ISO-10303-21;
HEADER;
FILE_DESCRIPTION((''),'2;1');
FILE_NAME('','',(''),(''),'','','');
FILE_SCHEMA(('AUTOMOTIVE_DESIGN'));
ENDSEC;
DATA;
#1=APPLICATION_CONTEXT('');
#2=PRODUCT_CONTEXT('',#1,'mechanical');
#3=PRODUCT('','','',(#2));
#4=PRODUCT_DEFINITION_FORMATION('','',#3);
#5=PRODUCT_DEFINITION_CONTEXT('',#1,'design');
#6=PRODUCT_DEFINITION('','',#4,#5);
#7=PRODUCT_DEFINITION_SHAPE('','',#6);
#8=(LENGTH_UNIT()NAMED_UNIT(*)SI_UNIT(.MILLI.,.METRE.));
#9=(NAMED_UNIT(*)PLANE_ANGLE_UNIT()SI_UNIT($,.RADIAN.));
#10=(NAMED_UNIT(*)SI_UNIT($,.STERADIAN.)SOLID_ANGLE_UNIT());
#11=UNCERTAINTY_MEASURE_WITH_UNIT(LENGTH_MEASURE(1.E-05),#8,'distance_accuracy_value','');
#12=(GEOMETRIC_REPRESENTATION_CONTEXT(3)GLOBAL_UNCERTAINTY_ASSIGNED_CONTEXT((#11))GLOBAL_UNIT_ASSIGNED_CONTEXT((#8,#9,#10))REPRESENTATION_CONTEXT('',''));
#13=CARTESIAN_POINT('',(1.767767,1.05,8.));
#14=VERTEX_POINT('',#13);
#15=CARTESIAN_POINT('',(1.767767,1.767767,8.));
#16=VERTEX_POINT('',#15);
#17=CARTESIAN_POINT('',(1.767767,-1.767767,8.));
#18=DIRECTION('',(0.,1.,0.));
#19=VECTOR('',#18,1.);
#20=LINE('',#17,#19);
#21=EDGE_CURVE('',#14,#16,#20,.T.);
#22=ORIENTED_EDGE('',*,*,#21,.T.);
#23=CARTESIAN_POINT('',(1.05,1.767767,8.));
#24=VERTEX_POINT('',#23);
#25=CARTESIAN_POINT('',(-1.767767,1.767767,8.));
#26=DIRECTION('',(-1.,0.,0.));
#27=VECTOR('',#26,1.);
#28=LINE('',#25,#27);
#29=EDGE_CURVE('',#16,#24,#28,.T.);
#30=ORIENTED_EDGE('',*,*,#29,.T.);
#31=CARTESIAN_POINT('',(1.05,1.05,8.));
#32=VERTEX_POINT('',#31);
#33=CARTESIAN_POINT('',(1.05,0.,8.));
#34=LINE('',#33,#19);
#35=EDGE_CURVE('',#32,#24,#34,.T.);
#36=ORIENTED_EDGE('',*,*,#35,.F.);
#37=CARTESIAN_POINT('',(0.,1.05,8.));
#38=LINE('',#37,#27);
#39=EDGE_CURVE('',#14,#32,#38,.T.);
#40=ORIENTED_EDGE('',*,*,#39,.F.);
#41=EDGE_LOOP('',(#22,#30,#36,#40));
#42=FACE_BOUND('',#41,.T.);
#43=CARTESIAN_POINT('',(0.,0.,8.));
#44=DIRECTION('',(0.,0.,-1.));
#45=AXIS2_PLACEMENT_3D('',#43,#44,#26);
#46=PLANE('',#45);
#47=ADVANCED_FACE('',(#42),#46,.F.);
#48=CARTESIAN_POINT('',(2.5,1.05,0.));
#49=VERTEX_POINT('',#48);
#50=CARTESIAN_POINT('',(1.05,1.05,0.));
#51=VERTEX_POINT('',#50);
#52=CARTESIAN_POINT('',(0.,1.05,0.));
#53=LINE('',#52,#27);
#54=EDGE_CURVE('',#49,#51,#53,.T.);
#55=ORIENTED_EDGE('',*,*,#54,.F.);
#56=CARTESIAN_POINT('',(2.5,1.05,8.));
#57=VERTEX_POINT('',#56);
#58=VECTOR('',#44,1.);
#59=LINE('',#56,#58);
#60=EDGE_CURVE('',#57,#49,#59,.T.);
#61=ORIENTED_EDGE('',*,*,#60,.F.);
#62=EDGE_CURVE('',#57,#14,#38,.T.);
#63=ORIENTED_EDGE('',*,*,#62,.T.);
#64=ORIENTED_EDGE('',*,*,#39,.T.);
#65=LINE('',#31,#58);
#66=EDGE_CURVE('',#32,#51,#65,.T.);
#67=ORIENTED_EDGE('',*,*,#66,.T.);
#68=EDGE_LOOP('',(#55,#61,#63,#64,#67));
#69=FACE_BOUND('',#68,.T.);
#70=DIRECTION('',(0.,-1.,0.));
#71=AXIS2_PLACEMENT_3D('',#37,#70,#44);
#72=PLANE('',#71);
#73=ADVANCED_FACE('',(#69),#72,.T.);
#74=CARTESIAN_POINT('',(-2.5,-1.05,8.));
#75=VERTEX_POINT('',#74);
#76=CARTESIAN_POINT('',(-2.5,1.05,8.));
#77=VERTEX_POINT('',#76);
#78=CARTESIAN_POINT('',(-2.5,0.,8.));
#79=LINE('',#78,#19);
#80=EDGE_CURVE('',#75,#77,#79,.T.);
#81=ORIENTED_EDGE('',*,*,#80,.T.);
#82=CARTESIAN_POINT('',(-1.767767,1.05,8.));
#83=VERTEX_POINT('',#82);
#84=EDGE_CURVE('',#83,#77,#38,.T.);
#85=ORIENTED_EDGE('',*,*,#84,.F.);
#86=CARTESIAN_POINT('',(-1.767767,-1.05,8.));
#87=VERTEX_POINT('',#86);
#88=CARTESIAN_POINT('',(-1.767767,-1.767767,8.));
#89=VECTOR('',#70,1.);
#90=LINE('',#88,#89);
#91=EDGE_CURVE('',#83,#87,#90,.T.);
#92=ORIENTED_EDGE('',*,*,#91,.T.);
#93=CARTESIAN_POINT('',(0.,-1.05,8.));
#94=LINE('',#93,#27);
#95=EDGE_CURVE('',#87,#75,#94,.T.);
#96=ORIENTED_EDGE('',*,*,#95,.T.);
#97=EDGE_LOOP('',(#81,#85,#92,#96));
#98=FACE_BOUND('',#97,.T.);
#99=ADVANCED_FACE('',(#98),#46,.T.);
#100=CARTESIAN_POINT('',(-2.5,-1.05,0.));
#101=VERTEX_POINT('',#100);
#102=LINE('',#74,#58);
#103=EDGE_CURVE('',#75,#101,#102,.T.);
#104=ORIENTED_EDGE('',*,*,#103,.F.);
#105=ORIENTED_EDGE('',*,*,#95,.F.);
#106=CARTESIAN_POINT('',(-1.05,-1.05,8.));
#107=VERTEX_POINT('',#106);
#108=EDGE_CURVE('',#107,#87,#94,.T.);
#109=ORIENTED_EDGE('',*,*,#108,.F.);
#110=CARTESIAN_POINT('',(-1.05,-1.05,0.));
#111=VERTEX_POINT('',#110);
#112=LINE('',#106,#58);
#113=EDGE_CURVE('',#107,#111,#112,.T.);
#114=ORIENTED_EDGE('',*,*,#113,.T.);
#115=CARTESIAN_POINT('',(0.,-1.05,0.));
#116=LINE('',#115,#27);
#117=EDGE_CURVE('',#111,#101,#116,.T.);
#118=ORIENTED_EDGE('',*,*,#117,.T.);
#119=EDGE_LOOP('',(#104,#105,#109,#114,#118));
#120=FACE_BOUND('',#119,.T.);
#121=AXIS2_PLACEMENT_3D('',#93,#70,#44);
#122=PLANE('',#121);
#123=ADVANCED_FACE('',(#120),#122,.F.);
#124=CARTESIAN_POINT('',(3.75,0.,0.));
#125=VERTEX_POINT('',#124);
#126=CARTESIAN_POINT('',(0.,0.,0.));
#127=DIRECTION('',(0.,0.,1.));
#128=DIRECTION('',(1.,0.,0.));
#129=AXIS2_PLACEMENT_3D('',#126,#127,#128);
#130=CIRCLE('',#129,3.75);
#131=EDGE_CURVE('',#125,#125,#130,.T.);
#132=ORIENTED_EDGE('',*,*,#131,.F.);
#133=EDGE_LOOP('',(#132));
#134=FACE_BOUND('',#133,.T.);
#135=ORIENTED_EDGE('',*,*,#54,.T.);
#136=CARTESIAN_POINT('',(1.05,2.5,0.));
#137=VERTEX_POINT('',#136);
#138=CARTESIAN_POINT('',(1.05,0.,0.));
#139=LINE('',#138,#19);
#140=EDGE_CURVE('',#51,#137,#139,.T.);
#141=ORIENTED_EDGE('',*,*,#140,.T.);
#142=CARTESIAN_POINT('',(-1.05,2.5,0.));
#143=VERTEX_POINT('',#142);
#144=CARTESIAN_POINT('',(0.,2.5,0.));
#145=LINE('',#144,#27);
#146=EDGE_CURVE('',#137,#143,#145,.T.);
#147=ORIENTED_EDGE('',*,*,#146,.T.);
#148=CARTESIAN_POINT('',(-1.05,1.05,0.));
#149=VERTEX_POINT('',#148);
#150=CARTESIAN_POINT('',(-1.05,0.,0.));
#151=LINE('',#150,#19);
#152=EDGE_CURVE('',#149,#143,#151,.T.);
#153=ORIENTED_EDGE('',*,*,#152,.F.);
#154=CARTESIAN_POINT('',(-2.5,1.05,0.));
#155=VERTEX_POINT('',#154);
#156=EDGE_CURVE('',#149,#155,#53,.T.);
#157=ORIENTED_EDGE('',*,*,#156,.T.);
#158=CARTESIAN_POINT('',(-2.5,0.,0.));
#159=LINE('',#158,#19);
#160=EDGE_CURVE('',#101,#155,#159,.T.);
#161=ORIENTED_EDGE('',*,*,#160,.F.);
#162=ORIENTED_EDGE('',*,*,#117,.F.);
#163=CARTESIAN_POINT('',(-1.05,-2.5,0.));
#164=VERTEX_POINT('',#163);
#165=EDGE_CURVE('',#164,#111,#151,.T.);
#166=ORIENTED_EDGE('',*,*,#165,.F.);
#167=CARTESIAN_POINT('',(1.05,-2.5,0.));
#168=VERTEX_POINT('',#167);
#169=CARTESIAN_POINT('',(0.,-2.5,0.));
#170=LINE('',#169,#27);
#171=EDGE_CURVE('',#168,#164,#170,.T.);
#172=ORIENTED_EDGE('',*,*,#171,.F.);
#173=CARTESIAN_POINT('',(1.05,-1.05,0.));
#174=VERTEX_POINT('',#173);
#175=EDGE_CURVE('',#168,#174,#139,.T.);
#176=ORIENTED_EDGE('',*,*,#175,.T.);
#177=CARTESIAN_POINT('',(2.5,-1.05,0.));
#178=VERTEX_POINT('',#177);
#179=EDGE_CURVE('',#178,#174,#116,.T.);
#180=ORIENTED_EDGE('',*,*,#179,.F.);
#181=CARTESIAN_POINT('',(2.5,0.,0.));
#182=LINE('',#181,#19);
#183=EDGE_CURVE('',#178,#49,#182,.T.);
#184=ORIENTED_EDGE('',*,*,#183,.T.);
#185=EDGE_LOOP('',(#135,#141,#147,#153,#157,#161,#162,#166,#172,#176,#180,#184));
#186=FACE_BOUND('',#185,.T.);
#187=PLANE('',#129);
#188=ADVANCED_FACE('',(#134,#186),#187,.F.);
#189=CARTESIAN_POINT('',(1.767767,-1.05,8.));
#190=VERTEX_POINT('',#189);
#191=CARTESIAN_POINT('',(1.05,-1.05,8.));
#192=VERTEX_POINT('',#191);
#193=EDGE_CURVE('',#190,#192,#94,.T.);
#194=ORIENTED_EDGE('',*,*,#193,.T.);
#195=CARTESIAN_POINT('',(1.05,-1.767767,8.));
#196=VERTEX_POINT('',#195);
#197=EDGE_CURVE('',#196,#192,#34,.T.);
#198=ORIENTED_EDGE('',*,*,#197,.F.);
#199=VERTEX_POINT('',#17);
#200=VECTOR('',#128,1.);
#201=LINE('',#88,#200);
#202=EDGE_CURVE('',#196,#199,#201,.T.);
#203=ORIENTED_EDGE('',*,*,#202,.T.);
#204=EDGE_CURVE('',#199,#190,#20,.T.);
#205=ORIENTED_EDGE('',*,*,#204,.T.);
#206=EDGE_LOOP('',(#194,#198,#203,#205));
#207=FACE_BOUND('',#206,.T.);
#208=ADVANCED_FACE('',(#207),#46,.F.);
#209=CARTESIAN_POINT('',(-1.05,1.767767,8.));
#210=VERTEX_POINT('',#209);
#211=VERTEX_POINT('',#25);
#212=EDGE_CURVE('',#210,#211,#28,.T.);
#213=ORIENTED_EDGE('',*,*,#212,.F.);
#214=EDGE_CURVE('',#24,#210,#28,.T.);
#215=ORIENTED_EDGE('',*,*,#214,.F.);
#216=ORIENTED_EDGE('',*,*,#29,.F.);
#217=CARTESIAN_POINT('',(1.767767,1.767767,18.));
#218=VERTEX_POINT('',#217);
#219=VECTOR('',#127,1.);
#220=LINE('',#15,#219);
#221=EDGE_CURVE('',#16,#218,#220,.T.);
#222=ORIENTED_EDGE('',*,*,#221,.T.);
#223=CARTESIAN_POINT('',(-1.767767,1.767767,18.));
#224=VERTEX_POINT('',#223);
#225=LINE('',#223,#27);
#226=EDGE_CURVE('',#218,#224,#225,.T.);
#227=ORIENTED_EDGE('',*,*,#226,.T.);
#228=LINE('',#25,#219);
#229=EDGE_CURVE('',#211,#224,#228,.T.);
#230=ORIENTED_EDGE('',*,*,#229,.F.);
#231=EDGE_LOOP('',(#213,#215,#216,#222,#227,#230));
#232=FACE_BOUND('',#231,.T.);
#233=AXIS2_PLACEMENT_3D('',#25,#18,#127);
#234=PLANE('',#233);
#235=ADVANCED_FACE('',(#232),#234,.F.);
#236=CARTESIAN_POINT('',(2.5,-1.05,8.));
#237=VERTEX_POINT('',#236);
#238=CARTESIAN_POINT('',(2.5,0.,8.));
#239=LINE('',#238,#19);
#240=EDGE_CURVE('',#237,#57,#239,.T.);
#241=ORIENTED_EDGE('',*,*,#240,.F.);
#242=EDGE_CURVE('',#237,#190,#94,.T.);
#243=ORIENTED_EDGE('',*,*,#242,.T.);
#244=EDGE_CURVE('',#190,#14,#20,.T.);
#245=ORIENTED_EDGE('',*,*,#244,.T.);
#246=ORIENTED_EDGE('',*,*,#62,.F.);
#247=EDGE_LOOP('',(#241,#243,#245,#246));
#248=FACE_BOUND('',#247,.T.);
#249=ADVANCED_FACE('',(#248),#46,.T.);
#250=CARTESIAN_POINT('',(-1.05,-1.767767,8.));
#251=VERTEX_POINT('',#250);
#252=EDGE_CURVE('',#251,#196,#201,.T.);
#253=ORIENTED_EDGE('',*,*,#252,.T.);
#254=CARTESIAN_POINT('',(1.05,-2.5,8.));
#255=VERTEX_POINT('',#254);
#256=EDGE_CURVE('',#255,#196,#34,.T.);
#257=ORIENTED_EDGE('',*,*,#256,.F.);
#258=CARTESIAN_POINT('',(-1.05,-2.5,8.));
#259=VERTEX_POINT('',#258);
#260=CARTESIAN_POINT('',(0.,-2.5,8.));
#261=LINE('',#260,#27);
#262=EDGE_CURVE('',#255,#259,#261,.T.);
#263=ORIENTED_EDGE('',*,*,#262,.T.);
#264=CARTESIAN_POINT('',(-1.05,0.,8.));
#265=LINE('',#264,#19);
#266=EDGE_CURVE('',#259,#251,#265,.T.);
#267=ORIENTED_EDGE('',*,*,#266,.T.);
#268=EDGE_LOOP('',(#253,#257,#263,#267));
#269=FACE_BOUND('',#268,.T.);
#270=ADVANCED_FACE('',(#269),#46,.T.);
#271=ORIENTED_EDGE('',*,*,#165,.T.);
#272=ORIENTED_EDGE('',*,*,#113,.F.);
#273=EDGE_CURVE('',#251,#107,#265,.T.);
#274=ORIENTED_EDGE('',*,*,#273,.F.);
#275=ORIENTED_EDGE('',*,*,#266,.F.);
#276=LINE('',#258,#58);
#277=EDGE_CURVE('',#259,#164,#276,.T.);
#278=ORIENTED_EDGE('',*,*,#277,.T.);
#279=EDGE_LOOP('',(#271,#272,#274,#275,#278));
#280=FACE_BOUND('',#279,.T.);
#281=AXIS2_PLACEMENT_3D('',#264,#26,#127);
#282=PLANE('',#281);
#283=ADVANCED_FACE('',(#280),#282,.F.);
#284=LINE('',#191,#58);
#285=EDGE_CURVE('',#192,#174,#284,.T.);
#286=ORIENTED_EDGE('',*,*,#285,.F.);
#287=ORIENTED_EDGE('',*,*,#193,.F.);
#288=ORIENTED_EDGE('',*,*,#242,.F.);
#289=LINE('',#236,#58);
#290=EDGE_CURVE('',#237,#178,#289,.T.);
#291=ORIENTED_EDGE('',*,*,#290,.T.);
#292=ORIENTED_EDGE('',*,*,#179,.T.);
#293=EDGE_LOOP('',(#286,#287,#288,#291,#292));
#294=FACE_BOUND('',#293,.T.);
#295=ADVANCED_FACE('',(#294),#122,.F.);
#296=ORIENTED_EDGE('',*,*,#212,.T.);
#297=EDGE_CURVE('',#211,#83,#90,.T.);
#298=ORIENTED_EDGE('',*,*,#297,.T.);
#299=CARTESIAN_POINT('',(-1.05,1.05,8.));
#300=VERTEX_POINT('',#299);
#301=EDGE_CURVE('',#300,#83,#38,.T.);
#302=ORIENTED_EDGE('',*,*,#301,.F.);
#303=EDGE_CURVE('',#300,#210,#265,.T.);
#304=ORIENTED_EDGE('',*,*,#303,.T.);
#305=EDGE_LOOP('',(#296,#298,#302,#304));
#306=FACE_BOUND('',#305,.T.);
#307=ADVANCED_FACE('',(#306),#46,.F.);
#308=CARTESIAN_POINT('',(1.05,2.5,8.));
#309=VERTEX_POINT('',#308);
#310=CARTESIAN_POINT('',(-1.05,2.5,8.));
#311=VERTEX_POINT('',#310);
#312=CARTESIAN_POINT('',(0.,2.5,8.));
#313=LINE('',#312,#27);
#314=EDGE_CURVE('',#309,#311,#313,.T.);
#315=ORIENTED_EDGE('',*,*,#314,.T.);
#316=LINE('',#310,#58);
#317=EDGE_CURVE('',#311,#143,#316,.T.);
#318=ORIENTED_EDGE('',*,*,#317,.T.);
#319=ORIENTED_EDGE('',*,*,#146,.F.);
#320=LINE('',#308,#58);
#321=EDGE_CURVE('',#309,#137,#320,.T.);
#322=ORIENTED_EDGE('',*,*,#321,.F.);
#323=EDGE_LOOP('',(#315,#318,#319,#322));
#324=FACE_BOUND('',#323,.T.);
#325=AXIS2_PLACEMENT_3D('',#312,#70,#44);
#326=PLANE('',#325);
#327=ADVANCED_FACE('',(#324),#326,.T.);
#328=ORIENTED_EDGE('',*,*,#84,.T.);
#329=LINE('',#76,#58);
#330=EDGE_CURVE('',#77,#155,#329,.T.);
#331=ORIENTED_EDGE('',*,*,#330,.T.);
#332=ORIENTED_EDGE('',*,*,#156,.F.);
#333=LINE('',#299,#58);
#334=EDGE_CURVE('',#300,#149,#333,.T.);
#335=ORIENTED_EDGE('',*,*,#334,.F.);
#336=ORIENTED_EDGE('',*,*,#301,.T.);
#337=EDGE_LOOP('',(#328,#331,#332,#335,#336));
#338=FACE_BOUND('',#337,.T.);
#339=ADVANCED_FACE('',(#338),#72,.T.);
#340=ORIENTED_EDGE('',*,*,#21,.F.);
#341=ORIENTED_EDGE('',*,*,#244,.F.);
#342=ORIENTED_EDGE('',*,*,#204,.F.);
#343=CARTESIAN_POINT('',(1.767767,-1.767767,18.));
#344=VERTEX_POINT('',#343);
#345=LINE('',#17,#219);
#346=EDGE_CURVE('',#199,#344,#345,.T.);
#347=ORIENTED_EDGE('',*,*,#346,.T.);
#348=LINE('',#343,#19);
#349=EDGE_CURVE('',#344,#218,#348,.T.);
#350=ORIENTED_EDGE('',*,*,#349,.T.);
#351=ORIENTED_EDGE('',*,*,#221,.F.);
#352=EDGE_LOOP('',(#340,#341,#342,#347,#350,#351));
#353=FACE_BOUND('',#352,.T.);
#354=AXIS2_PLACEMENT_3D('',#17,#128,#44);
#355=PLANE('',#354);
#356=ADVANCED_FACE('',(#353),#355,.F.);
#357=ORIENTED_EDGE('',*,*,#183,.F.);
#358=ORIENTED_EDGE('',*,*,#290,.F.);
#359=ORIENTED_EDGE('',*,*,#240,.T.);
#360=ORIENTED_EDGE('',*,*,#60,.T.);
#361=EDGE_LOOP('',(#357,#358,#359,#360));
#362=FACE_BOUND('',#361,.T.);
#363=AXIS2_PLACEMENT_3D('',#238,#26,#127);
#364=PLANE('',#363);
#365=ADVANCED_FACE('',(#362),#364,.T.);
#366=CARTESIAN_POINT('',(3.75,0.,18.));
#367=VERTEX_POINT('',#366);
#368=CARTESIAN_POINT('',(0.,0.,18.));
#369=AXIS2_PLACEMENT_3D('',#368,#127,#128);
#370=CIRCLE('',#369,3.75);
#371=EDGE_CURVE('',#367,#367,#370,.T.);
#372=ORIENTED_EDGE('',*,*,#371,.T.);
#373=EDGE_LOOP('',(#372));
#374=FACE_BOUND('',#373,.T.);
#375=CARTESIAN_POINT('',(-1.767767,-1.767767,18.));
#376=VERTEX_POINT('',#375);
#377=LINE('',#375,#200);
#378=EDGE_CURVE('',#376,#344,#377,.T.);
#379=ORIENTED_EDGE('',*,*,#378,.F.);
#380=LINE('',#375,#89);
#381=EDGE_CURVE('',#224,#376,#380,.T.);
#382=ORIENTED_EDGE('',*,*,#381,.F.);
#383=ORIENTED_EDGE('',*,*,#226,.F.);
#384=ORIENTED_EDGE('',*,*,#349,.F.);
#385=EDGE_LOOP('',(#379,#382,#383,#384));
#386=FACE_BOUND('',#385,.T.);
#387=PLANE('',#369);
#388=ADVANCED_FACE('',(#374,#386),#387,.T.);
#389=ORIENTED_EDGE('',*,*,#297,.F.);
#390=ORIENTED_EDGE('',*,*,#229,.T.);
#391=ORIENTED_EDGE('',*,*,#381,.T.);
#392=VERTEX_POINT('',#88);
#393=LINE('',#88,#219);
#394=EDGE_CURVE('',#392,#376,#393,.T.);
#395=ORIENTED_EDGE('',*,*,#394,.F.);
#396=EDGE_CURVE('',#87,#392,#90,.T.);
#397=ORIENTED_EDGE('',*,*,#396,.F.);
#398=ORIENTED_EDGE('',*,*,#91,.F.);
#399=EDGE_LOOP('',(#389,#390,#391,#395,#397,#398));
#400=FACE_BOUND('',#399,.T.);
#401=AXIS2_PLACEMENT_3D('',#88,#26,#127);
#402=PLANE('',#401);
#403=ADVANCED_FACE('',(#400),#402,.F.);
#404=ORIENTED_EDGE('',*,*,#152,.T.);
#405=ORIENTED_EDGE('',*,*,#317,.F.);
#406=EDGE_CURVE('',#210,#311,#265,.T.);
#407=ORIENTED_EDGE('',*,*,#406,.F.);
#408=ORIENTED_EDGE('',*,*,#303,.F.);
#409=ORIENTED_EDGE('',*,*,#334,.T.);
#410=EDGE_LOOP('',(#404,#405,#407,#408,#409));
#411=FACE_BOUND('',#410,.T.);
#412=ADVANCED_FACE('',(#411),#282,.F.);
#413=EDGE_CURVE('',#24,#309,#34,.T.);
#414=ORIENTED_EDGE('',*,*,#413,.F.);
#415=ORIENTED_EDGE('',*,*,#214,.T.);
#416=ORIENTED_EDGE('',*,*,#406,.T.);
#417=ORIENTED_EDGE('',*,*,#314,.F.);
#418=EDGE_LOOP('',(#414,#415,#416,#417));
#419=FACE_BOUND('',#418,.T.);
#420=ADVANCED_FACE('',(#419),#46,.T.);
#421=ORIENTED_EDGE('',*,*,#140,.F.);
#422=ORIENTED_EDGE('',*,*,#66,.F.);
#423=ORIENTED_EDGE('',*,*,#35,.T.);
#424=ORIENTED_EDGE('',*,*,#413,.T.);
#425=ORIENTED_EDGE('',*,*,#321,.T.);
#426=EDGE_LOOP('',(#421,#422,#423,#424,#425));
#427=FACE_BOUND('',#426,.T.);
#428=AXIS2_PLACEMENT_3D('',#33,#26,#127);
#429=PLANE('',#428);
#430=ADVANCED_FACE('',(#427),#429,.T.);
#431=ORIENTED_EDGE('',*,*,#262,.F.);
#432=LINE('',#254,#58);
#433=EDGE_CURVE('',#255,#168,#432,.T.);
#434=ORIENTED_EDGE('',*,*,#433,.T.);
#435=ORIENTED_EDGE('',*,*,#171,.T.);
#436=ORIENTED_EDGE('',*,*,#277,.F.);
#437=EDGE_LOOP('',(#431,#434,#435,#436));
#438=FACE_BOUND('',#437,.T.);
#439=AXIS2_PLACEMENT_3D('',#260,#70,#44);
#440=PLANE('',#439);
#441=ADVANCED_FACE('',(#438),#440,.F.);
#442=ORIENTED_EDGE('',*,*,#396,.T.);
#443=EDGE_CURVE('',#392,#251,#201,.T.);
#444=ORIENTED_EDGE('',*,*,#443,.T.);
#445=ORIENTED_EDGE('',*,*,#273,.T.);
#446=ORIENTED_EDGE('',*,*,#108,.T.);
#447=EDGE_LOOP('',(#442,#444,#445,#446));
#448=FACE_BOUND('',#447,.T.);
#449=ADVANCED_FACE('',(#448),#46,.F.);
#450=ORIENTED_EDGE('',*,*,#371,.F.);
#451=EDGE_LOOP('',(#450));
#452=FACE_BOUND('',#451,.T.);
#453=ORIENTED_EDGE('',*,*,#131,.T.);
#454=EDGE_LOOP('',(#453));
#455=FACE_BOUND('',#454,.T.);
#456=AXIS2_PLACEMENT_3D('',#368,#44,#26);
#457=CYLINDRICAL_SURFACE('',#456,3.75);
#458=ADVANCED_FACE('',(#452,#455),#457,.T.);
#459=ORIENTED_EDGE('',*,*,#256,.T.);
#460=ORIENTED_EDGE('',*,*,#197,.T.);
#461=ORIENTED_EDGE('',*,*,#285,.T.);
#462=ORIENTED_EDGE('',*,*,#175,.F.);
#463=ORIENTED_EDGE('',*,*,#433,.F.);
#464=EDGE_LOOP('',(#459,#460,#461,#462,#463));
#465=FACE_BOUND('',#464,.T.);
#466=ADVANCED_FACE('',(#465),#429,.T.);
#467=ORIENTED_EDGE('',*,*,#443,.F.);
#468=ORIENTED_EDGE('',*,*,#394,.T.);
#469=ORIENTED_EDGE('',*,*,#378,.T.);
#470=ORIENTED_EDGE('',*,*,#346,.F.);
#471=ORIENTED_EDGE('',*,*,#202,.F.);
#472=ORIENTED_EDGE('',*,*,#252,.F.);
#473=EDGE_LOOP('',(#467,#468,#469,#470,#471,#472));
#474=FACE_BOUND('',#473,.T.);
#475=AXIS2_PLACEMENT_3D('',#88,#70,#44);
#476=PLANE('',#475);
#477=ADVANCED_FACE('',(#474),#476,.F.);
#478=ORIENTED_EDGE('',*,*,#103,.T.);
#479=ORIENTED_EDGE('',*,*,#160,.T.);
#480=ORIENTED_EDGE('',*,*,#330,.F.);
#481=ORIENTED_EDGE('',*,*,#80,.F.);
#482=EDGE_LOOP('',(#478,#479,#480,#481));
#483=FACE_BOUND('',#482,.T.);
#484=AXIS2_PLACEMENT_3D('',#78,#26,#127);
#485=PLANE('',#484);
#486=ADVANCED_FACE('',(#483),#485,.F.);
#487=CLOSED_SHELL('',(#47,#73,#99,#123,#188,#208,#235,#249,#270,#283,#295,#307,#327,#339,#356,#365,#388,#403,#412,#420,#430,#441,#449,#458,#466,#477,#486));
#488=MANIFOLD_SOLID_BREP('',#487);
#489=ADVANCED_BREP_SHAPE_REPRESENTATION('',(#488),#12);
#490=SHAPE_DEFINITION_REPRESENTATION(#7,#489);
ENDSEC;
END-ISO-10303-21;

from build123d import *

# Parameters (mm, degrees)
SKETCH1_R           = 3.75
BOSS_EXTRUDE1_DEPTH = 18
SKETCH2_W           = 3.535533906
SKETCH2_H           = 3.535533906
CUT_EXTRUDE1_DEPTH  = 10
SKETCH3_W           = 2.1
SKETCH3_H           = 1.45
SKETCH3_H_2         = 2.1
SKETCH3_W_2         = 1.45
CUT_EXTRUDE2_DEPTH  = 8


with BuildPart() as part:
    # Sketch1 → Boss-Extrude1 (new body)
    with BuildSketch(Plane.XY):
        Circle(SKETCH1_R)
    extrude(amount=BOSS_EXTRUDE1_DEPTH)

    # Sketch2 → Cut-Extrude1 (cut)
    with BuildSketch(Plane.XY.offset(18)):
        Rectangle(SKETCH2_W, SKETCH2_H)
    extrude(amount=-CUT_EXTRUDE1_DEPTH, mode=Mode.SUBTRACT)

    # Sketch3 → Cut-Extrude2 (cut)
    with BuildSketch(Plane(origin=(0, 0, 0), x_dir=(-1, 0, 0), z_dir=(0, 0, -1))):
        with Locations((0, 1.775)):
            Rectangle(SKETCH3_W, SKETCH3_H)
        Rectangle(SKETCH3_W, SKETCH3_H_2)
        with Locations((1.775, 0)):
            Rectangle(SKETCH3_W_2, SKETCH3_H_2)
        with Locations((0, -1.775)):
            Rectangle(SKETCH3_W, SKETCH3_H)
        with Locations((-1.775, 0)):
            Rectangle(SKETCH3_W_2, SKETCH3_H_2)
    extrude(amount=-CUT_EXTRUDE2_DEPTH, mode=Mode.SUBTRACT)


solid = part.part
